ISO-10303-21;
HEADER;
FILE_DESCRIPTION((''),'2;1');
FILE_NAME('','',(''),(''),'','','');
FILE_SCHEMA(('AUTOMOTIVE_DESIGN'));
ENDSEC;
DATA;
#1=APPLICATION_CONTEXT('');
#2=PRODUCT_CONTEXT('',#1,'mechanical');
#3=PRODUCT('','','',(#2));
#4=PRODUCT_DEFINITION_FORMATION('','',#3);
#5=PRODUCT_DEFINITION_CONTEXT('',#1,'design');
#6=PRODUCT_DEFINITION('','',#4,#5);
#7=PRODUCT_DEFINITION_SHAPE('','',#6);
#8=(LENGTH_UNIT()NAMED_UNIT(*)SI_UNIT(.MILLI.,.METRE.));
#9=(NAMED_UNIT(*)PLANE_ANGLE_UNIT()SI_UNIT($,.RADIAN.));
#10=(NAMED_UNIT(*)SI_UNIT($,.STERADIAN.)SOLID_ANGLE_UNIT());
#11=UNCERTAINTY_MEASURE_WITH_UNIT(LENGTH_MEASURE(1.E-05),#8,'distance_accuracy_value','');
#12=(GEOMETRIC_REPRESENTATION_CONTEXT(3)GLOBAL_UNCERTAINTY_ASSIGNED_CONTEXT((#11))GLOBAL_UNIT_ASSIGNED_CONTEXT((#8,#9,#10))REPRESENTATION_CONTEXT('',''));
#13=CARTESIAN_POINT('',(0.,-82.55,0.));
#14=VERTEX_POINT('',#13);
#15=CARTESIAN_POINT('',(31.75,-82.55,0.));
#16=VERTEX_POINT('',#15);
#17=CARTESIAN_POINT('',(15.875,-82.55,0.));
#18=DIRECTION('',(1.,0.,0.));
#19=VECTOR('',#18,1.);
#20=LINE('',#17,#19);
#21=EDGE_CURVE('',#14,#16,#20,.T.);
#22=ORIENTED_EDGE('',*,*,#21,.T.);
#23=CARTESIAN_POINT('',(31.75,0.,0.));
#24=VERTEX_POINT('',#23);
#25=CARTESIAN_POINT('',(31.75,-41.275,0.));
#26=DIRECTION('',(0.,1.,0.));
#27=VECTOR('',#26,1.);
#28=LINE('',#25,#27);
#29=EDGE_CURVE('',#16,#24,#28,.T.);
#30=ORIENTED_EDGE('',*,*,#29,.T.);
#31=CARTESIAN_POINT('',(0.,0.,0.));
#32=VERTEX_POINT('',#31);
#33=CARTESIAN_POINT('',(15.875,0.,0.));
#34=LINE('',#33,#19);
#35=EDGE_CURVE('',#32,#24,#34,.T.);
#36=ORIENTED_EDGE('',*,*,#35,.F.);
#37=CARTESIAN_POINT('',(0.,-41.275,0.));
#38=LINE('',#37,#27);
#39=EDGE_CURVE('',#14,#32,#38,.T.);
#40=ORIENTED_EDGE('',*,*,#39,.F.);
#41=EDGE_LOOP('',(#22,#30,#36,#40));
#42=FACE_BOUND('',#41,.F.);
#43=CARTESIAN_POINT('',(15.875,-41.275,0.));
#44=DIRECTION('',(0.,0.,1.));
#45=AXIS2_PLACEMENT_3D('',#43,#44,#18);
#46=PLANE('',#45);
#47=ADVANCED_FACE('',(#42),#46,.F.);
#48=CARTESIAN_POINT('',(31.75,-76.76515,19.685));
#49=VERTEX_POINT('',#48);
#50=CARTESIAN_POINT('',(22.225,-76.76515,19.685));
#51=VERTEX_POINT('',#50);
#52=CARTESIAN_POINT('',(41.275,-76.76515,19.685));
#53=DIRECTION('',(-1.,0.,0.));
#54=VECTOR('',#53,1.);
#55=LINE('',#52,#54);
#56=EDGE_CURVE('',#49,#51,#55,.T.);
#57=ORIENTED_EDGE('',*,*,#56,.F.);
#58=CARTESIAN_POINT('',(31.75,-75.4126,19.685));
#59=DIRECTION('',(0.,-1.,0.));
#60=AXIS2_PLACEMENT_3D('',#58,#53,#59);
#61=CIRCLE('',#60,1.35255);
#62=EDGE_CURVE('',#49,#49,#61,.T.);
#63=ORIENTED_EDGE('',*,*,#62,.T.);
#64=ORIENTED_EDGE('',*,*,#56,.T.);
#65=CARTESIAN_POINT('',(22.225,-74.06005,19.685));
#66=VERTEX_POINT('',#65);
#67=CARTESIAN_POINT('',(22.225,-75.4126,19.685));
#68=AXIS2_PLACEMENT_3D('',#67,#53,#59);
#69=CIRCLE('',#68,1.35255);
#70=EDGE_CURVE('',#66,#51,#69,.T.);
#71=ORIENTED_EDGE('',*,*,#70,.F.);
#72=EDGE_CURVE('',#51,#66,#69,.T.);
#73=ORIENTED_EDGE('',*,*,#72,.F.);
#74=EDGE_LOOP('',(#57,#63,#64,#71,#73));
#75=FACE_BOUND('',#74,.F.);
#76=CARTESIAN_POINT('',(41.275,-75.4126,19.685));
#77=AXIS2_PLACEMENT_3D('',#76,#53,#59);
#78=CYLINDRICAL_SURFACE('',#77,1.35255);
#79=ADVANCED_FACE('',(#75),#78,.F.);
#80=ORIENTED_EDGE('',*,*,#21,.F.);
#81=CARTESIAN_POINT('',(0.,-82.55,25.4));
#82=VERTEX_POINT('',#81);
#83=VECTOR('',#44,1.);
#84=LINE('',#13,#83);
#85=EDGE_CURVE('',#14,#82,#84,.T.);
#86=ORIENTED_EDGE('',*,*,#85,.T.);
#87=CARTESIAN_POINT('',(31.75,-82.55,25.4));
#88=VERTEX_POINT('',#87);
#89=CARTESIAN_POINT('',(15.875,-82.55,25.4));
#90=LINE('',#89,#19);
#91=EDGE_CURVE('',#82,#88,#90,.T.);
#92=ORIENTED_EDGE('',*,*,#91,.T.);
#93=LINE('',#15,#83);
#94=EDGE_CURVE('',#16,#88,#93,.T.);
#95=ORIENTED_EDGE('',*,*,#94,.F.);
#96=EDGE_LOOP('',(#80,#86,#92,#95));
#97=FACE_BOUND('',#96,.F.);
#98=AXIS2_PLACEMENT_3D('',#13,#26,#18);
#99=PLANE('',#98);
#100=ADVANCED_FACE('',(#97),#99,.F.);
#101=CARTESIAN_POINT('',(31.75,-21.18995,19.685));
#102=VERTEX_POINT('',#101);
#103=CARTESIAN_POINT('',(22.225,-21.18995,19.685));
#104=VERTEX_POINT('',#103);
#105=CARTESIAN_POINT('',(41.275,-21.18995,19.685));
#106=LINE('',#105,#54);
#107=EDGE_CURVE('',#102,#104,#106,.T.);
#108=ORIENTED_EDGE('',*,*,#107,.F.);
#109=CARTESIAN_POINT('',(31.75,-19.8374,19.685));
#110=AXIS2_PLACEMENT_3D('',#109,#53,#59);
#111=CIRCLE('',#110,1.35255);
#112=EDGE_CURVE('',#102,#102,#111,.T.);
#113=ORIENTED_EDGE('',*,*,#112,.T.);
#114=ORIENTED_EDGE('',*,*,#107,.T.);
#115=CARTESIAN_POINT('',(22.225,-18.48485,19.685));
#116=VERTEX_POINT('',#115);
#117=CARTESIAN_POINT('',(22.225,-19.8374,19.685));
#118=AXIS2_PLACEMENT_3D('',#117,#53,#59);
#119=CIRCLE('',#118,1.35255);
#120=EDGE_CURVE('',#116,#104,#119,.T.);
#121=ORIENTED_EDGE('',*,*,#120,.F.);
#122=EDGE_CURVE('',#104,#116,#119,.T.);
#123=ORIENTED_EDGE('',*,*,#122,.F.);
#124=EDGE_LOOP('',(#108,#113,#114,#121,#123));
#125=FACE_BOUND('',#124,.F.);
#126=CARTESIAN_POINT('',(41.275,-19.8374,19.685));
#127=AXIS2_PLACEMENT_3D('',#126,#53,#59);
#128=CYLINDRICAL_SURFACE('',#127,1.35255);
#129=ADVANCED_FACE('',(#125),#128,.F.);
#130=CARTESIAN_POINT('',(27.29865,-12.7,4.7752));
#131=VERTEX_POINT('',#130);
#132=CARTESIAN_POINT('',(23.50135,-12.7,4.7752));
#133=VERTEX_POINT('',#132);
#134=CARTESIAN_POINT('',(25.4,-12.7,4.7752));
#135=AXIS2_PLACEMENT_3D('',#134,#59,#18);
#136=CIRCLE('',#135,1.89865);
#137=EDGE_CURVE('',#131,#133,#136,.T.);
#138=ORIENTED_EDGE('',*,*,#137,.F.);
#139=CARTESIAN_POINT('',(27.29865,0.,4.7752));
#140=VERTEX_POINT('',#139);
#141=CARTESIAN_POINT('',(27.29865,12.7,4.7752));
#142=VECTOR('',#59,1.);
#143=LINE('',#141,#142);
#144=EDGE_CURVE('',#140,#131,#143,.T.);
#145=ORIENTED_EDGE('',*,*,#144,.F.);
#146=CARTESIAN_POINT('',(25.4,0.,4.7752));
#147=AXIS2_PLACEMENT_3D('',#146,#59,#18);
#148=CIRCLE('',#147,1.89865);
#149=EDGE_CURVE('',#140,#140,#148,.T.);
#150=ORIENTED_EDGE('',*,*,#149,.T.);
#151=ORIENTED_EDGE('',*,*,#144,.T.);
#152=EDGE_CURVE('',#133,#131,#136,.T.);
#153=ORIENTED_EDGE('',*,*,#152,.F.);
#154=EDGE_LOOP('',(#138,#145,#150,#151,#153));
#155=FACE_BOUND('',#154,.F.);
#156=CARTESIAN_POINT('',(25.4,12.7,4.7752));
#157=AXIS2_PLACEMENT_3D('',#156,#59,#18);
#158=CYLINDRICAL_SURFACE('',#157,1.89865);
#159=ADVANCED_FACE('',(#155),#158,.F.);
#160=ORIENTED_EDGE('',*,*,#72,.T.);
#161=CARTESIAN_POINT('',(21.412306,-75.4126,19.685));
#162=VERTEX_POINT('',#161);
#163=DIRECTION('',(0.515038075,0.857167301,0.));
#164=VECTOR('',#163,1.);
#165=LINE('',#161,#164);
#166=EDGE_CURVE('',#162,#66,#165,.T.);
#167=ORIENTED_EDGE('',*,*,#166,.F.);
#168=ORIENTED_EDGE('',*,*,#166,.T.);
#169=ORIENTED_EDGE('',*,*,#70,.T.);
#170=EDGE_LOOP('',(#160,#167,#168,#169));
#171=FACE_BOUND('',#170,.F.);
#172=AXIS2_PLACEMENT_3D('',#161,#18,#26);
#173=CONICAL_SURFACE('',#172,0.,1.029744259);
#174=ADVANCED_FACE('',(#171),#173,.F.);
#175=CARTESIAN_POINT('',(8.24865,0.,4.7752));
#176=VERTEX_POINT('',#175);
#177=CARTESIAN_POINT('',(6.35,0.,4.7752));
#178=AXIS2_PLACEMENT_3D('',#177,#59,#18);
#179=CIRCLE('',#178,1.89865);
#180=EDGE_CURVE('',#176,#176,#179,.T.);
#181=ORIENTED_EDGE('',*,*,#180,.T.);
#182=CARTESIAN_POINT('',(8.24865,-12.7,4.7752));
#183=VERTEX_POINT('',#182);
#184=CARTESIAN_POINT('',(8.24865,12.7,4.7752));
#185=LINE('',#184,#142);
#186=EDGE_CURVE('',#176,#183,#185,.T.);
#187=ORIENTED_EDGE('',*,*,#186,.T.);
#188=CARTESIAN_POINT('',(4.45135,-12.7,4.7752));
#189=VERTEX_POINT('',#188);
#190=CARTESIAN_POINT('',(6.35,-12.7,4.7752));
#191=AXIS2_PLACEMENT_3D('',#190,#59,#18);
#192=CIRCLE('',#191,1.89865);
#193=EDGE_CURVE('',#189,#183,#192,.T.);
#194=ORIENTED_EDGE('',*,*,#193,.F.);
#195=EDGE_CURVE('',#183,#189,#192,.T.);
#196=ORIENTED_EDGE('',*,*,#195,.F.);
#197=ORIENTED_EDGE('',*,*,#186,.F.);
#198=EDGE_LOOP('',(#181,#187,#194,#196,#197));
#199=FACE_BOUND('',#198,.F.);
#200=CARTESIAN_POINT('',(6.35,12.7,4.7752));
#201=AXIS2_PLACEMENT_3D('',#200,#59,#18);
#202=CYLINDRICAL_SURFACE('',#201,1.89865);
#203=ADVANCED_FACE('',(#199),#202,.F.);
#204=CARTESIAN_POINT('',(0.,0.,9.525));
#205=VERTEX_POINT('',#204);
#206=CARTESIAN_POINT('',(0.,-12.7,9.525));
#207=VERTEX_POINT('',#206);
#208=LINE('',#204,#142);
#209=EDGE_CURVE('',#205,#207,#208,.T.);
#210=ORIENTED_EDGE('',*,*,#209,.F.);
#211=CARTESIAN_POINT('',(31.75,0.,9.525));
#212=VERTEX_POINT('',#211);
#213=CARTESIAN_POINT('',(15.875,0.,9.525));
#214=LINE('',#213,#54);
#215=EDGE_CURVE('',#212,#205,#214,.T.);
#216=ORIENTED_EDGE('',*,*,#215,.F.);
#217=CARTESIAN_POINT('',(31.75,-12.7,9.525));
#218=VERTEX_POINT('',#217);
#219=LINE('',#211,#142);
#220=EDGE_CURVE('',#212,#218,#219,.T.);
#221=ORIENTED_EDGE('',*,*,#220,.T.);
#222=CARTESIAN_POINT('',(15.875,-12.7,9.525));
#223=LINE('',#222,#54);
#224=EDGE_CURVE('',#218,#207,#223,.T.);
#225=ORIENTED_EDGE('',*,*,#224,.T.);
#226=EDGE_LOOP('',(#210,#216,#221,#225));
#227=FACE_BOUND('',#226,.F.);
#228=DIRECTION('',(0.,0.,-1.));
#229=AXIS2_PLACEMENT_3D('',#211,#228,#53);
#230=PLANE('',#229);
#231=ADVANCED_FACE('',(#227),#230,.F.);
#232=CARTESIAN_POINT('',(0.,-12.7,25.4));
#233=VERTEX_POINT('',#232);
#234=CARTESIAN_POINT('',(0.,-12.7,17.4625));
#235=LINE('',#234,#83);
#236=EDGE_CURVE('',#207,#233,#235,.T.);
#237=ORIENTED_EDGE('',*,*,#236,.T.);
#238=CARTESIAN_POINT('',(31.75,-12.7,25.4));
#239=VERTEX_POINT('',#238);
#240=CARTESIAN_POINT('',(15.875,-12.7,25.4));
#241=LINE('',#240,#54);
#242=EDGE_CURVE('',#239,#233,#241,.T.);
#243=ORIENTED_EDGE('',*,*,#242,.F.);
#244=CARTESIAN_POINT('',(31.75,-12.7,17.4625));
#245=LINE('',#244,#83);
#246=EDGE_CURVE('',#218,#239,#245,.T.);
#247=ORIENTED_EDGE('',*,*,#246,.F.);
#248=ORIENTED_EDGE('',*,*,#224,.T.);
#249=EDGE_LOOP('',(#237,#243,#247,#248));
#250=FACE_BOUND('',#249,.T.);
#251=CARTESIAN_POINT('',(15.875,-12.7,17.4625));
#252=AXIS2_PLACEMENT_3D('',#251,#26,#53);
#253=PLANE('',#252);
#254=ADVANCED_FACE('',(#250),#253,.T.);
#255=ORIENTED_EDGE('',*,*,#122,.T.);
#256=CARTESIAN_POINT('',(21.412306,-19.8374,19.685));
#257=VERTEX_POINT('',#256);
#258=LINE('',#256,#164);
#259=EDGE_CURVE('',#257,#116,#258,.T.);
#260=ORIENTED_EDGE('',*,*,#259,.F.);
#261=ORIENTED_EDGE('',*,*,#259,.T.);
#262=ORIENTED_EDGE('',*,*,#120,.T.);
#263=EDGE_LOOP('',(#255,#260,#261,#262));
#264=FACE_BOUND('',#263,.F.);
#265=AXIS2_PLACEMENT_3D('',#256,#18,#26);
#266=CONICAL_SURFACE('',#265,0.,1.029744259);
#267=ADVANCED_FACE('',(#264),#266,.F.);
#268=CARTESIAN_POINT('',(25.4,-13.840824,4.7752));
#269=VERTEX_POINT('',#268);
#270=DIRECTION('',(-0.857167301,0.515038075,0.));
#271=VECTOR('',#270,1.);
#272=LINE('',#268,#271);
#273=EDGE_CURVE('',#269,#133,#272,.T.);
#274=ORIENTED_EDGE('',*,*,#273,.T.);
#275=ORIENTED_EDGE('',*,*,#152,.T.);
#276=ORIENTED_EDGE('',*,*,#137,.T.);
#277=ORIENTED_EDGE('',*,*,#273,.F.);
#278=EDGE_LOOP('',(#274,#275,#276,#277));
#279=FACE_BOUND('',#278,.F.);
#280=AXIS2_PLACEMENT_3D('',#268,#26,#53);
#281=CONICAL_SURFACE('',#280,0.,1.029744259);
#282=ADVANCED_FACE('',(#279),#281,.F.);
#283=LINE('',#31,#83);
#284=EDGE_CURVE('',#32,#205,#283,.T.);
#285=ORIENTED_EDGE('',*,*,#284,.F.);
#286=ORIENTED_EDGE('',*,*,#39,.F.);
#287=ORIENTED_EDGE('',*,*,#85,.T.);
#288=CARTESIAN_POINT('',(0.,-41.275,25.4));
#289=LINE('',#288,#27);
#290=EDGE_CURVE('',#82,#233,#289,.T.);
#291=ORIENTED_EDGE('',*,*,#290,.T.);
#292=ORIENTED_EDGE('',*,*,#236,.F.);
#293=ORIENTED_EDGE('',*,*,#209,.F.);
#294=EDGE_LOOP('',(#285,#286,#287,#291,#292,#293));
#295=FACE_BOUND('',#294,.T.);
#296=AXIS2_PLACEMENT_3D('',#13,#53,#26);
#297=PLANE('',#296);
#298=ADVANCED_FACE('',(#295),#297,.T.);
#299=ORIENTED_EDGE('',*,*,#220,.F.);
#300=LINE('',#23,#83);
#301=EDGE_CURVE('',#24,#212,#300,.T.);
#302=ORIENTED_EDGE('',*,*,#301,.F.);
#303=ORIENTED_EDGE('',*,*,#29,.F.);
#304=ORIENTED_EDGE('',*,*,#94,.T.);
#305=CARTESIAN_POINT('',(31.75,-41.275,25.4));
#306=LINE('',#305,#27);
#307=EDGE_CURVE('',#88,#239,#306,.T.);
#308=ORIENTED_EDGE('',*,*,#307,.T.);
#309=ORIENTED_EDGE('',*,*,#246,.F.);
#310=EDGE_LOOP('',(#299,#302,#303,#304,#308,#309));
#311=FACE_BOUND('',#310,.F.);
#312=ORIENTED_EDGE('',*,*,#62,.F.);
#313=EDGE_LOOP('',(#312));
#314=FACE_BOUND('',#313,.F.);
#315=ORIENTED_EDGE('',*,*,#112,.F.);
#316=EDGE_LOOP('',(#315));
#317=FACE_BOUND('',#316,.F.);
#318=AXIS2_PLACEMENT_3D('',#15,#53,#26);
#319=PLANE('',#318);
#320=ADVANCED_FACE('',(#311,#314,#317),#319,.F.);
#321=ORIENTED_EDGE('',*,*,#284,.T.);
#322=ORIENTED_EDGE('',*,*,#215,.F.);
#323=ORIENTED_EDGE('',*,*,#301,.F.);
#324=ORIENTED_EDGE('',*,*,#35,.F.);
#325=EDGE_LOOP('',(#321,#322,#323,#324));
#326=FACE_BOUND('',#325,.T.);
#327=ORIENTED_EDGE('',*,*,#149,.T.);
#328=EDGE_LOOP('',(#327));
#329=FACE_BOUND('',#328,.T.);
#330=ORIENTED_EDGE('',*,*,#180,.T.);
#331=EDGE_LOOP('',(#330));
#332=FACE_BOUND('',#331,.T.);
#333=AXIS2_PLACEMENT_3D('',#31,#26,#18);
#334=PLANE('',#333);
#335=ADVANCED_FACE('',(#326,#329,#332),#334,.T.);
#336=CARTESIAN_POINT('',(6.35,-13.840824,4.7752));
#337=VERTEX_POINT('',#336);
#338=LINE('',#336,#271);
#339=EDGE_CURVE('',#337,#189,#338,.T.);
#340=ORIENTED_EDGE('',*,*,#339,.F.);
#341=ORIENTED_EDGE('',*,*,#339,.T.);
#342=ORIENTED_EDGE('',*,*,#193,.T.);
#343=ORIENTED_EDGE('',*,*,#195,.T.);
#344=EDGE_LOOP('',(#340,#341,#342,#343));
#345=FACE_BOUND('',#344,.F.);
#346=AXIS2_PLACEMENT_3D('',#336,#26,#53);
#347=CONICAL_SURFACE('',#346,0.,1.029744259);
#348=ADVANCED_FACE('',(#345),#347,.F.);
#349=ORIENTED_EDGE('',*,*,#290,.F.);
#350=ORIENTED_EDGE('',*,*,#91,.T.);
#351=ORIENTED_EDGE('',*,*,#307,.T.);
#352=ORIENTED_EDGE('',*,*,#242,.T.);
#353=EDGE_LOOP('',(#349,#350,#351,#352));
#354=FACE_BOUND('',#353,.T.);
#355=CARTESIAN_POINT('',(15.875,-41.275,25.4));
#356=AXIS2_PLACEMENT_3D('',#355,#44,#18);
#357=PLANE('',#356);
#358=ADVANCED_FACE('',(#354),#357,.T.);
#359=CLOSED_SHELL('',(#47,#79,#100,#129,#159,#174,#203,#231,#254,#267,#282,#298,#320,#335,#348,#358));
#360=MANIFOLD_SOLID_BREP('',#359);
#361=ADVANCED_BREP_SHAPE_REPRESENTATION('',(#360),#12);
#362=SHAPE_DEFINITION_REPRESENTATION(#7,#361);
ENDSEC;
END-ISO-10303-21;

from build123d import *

# Parameters (mm, degrees)
F0_W     = 31.75
F0_H     = 82.55
F1_DEPTH = 25.4
F2_W     = 31.75
F2_H     = 15.875
F3_DEPTH = 12.7
F5_D     = 3.7973
F5_DEPTH = 12.7
F5_TIP   = 1.1408240143
F7_D     = 2.7051
F7_DEPTH = 9.525
F7_TIP   = 0.8126940303


with BuildPart() as f1:
    # F0 (on Top) → F1 (new body)
    with BuildSketch(Plane.XY):
        with Locations((15.875, -41.275)):
            Rectangle(F0_W, F0_H)
    extrude(amount=F1_DEPTH)

    # F2 (on face) → F3 (cut)
    with BuildSketch(Plane(origin=(0, 0, 0), x_dir=(-1, 0, 0), z_dir=(0, 1, 0))):
        with Locations((-15.875, 17.4625)):
            Rectangle(F2_W, F2_H)
    extrude(amount=-F3_DEPTH, mode=Mode.SUBTRACT)

    # F5
    with Locations(Plane(origin=(0, 0, 0), x_dir=(-1, 0, 0), z_dir=(0, 1, 0))):
        with Locations((-25.4, 4.7752), (-6.35, 4.7752)):
            Hole(F5_D / 2, depth=F5_DEPTH)
            with Locations((0, 0, -(F5_DEPTH + F5_TIP / 2))):  # 118° drill point
                Cone(0, F5_D / 2, F5_TIP, mode=Mode.SUBTRACT)

    # F7
    with Locations(Plane.YZ.offset(31.75)):
        with Locations((-19.8374, 19.685), (-75.4126, 19.685)):
            Hole(F7_D / 2, depth=F7_DEPTH)
            with Locations((0, 0, -(F7_DEPTH + F7_TIP / 2))):  # 118° drill point
                Cone(0, F7_D / 2, F7_TIP, mode=Mode.SUBTRACT)


solid = f1.part
